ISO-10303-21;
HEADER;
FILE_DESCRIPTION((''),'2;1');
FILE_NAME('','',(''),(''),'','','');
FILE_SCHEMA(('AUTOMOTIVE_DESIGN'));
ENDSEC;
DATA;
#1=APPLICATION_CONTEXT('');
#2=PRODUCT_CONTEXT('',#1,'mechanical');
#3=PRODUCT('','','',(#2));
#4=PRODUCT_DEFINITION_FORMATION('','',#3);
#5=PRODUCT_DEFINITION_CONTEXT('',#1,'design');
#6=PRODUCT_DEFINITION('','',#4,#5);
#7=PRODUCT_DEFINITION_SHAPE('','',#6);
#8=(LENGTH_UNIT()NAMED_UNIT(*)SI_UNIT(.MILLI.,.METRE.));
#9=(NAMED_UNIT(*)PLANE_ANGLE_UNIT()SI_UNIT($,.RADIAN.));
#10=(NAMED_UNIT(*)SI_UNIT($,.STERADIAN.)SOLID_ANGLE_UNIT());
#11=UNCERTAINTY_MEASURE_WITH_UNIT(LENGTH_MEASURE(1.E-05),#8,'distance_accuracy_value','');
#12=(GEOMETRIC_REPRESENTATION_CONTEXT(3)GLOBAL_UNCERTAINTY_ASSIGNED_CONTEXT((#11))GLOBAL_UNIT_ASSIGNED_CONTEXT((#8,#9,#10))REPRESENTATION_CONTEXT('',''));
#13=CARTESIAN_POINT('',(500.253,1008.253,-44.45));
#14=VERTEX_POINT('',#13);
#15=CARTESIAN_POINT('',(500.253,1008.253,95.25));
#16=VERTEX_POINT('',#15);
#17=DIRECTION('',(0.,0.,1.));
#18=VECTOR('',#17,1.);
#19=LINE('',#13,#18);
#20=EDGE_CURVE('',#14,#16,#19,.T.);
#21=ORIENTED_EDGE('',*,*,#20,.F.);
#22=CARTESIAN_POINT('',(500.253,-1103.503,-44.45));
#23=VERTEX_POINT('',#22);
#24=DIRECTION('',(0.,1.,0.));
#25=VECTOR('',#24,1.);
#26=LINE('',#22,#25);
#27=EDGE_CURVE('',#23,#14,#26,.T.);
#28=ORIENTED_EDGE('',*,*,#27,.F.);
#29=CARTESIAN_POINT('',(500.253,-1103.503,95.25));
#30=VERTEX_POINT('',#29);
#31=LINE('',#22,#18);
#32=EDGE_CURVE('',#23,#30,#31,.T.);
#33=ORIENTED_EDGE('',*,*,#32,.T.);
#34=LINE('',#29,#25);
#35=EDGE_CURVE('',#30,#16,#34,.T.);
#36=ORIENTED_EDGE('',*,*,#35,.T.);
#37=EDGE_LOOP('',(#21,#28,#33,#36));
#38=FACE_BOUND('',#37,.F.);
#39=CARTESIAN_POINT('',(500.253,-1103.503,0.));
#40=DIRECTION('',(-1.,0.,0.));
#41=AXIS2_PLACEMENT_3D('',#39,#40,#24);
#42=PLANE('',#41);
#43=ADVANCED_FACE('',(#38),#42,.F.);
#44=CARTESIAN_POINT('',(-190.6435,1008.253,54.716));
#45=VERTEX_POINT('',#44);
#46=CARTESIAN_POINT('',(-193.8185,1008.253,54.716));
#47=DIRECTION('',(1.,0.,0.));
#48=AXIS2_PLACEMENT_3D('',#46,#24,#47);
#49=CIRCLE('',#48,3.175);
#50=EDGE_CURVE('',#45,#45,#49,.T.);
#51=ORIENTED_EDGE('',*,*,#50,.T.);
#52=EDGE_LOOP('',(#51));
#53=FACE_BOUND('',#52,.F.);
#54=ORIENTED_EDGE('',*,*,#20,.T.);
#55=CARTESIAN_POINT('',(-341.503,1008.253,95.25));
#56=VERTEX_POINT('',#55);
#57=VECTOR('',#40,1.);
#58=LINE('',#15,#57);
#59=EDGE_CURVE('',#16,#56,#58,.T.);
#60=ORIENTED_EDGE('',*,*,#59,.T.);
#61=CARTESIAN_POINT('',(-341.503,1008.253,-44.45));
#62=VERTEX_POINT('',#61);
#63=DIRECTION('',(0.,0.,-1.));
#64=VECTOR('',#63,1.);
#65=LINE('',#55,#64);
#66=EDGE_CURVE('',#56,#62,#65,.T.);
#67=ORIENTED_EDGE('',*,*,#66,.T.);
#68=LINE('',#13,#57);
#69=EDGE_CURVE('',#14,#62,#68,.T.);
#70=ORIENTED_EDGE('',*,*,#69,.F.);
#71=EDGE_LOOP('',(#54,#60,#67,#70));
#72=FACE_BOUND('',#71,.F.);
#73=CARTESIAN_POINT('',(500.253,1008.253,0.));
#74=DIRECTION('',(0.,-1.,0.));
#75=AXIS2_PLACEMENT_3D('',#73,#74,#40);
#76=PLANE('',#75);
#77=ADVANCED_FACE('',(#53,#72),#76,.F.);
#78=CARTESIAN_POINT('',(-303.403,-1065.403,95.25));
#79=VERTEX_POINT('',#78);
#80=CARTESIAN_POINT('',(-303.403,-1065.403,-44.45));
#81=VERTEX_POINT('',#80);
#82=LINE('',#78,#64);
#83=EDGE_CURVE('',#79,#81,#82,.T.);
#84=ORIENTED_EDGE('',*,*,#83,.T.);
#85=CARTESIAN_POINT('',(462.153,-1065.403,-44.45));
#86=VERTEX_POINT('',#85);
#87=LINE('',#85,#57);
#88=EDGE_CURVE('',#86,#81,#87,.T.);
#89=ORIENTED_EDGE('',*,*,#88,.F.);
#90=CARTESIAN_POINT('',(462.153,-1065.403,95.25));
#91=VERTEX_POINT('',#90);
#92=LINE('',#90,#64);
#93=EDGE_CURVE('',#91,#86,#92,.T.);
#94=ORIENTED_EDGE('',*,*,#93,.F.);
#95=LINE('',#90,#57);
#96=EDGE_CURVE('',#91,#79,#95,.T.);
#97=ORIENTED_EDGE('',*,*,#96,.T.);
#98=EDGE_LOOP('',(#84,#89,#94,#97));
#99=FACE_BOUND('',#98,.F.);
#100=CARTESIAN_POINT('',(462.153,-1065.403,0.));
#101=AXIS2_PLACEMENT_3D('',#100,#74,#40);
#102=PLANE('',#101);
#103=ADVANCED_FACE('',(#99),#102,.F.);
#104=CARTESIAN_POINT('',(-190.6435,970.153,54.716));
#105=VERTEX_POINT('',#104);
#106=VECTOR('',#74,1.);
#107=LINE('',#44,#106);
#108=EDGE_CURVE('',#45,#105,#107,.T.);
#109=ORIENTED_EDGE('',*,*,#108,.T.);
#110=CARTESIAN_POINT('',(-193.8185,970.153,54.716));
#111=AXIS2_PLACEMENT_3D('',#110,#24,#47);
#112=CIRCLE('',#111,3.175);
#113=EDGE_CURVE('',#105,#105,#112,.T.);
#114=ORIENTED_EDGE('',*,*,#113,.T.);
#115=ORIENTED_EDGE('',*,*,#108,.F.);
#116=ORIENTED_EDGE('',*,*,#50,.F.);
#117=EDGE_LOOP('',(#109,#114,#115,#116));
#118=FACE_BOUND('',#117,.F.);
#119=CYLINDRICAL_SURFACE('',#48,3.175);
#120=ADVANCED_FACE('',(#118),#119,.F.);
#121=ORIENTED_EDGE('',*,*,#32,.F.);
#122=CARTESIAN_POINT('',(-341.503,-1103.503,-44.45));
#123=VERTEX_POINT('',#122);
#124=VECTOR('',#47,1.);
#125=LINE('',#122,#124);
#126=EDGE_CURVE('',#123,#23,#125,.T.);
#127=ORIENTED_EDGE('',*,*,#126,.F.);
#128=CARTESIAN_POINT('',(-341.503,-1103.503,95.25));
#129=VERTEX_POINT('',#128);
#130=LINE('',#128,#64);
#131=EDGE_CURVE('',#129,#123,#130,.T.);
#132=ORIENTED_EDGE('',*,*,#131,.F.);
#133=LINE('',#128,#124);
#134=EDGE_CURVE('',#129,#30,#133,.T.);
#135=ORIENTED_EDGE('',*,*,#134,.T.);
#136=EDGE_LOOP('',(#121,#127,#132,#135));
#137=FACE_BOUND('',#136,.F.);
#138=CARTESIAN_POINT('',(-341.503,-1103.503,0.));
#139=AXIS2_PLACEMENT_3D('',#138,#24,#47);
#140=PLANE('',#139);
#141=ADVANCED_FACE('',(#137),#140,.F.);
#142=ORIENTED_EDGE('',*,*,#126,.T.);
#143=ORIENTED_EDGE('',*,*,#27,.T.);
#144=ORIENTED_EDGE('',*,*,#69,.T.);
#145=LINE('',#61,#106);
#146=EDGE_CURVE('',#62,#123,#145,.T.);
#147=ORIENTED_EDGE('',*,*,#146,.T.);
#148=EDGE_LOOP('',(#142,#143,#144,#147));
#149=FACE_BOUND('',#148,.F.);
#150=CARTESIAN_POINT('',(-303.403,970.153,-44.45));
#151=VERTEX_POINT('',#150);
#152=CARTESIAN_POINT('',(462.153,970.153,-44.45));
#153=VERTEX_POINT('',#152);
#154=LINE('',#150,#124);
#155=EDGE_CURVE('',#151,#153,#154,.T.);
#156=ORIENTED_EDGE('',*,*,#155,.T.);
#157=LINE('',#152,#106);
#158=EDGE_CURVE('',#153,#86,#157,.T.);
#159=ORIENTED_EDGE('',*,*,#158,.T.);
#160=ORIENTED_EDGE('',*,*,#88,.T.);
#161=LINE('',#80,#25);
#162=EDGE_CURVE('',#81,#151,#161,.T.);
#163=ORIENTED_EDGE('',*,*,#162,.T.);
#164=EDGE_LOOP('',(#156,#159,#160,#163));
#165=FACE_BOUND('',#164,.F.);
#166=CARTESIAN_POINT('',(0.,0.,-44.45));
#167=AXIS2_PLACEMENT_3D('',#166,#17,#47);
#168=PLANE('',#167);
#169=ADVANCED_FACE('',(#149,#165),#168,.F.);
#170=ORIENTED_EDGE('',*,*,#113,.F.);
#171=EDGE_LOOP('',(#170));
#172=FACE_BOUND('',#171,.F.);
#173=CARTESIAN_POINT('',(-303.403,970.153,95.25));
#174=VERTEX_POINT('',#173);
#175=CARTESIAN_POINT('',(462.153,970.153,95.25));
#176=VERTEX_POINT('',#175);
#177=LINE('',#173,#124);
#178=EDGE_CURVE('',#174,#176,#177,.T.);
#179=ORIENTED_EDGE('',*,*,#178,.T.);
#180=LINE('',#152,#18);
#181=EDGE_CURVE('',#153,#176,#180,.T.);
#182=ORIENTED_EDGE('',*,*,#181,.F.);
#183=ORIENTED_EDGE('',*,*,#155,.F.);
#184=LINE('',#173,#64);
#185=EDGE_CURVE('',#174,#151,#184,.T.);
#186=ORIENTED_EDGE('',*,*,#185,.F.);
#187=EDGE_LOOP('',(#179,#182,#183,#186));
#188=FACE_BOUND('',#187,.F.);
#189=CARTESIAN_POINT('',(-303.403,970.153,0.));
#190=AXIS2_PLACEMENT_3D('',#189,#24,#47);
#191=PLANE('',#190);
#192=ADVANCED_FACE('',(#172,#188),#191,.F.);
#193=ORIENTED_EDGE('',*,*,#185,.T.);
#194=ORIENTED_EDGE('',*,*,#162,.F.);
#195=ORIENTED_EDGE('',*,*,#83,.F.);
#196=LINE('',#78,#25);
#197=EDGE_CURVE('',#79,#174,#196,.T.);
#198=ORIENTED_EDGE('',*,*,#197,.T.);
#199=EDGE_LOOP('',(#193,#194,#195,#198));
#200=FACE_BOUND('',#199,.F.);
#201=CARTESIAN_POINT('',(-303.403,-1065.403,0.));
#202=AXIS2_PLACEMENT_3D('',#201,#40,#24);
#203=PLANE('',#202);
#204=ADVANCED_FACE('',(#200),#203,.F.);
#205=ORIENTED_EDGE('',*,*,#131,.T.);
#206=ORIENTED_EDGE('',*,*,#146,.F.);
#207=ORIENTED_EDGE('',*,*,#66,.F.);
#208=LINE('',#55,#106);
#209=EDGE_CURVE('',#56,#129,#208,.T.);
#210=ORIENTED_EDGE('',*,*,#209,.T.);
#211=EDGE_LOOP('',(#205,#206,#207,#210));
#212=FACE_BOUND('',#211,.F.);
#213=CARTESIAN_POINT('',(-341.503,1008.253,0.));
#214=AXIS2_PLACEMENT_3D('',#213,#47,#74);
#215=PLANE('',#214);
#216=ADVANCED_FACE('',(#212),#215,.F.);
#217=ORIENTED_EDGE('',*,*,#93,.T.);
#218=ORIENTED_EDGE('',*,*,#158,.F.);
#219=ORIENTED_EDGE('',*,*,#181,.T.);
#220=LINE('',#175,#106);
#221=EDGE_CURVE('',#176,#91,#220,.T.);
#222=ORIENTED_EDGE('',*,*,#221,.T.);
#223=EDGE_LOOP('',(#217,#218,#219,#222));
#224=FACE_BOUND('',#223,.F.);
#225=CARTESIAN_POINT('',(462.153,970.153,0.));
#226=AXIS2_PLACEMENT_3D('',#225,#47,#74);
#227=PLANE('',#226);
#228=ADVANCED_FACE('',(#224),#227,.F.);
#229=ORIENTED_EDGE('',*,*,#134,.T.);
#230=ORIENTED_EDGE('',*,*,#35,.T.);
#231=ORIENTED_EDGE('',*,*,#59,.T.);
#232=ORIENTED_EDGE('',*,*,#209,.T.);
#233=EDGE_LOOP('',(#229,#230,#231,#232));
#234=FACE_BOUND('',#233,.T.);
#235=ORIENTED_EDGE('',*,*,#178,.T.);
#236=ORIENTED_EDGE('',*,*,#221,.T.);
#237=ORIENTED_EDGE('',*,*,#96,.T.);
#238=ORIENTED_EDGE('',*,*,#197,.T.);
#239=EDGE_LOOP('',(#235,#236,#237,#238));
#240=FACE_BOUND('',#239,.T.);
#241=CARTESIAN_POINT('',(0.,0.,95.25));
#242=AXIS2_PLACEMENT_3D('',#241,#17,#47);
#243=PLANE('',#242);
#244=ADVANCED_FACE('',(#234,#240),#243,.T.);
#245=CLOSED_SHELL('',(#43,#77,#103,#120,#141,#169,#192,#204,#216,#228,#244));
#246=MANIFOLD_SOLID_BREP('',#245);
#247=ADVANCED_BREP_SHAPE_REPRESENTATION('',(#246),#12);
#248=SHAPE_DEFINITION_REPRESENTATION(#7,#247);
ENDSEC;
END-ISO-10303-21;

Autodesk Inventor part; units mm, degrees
ref_plane "YZ Plane" through (0, 0, 0) normal (1, 0, 0) x (0, 1, 0)
ref_plane "XZ Plane" through (0, 0, 0) normal (0, 1, 0) x (-1, 0, 0)
ref_plane "XY Plane" through (0, 0, 0) normal (0, 0, 1) x (1, 0, 0)
ref_plane "Work Plane1" through (0, 0, 0) normal (0, 0, 1) x (1, 0, 0)
sketch "Sketch1" plane through (0, 0, 0) normal (0, 0, 1) x (1, 0, 0)
  line L0 (-295.275, -1057.275) -> (454.025, -1057.275) projected
  line L1 (454.025, -1057.275) -> (454.025, 962.025) projected
  circle A0 centre (384.175, -28.575) radius 31.4325 projected
  line L2 (454.025, 962.025) -> (-295.275, 962.025) projected
  line L3 (-295.275, 962.025) -> (-295.275, -1057.275) projected
  line L4 (462.153, 970.153) -> (462.153, -1065.403)
  line L5 (462.153, -1065.403) -> (-303.403, -1065.403)
  line L6 (-303.403, -1065.403) -> (-303.403, 970.153)
  line L7 (-303.403, 970.153) -> (462.153, 970.153)
  line L8 (500.253, -1103.503) -> (500.253, 1008.253)
  line L9 (500.253, 1008.253) -> (-341.503, 1008.253)
  line L10 (-341.503, 1008.253) -> (-341.503, -1103.503)
  line L11 (-341.503, -1103.503) -> (500.253, -1103.503)
  point P0 (-454.025, -1057.275)
  point P1 (454.025, 1057.275)
  point P2 (-454.025, 1057.275)
  point P3 (-454.025, 933.45)
  point P4 (-454.025, 819.15)
  point P5 (-454.025, 114.3)
  point P6 (-454.025, 0)
  point P7 (-454.025, -704.85)
  point P8 (-454.025, -819.15)
  dimension "d17" = 8.128
  dimension "d18" = 38.1
extrude "Extrusion1" add sketch "Sketch1" along normal blind 95.25 and the other way blind 44.45 contours L11 L10 L9 L8
sketch "Sketch2" plane through (-341.503, 1008.253, 95.25) normal (0, 1, 0) x (1, 0, 0)
  circle A0 centre (147.6845, 40.534) radius 3.175
  point P0 (341.503, 95.25)
  dimension "d19" = 6.35
extrude "Extrusion2" cut sketch "Sketch2" against normal blind 95.25
properties part number "DoorFrame"
